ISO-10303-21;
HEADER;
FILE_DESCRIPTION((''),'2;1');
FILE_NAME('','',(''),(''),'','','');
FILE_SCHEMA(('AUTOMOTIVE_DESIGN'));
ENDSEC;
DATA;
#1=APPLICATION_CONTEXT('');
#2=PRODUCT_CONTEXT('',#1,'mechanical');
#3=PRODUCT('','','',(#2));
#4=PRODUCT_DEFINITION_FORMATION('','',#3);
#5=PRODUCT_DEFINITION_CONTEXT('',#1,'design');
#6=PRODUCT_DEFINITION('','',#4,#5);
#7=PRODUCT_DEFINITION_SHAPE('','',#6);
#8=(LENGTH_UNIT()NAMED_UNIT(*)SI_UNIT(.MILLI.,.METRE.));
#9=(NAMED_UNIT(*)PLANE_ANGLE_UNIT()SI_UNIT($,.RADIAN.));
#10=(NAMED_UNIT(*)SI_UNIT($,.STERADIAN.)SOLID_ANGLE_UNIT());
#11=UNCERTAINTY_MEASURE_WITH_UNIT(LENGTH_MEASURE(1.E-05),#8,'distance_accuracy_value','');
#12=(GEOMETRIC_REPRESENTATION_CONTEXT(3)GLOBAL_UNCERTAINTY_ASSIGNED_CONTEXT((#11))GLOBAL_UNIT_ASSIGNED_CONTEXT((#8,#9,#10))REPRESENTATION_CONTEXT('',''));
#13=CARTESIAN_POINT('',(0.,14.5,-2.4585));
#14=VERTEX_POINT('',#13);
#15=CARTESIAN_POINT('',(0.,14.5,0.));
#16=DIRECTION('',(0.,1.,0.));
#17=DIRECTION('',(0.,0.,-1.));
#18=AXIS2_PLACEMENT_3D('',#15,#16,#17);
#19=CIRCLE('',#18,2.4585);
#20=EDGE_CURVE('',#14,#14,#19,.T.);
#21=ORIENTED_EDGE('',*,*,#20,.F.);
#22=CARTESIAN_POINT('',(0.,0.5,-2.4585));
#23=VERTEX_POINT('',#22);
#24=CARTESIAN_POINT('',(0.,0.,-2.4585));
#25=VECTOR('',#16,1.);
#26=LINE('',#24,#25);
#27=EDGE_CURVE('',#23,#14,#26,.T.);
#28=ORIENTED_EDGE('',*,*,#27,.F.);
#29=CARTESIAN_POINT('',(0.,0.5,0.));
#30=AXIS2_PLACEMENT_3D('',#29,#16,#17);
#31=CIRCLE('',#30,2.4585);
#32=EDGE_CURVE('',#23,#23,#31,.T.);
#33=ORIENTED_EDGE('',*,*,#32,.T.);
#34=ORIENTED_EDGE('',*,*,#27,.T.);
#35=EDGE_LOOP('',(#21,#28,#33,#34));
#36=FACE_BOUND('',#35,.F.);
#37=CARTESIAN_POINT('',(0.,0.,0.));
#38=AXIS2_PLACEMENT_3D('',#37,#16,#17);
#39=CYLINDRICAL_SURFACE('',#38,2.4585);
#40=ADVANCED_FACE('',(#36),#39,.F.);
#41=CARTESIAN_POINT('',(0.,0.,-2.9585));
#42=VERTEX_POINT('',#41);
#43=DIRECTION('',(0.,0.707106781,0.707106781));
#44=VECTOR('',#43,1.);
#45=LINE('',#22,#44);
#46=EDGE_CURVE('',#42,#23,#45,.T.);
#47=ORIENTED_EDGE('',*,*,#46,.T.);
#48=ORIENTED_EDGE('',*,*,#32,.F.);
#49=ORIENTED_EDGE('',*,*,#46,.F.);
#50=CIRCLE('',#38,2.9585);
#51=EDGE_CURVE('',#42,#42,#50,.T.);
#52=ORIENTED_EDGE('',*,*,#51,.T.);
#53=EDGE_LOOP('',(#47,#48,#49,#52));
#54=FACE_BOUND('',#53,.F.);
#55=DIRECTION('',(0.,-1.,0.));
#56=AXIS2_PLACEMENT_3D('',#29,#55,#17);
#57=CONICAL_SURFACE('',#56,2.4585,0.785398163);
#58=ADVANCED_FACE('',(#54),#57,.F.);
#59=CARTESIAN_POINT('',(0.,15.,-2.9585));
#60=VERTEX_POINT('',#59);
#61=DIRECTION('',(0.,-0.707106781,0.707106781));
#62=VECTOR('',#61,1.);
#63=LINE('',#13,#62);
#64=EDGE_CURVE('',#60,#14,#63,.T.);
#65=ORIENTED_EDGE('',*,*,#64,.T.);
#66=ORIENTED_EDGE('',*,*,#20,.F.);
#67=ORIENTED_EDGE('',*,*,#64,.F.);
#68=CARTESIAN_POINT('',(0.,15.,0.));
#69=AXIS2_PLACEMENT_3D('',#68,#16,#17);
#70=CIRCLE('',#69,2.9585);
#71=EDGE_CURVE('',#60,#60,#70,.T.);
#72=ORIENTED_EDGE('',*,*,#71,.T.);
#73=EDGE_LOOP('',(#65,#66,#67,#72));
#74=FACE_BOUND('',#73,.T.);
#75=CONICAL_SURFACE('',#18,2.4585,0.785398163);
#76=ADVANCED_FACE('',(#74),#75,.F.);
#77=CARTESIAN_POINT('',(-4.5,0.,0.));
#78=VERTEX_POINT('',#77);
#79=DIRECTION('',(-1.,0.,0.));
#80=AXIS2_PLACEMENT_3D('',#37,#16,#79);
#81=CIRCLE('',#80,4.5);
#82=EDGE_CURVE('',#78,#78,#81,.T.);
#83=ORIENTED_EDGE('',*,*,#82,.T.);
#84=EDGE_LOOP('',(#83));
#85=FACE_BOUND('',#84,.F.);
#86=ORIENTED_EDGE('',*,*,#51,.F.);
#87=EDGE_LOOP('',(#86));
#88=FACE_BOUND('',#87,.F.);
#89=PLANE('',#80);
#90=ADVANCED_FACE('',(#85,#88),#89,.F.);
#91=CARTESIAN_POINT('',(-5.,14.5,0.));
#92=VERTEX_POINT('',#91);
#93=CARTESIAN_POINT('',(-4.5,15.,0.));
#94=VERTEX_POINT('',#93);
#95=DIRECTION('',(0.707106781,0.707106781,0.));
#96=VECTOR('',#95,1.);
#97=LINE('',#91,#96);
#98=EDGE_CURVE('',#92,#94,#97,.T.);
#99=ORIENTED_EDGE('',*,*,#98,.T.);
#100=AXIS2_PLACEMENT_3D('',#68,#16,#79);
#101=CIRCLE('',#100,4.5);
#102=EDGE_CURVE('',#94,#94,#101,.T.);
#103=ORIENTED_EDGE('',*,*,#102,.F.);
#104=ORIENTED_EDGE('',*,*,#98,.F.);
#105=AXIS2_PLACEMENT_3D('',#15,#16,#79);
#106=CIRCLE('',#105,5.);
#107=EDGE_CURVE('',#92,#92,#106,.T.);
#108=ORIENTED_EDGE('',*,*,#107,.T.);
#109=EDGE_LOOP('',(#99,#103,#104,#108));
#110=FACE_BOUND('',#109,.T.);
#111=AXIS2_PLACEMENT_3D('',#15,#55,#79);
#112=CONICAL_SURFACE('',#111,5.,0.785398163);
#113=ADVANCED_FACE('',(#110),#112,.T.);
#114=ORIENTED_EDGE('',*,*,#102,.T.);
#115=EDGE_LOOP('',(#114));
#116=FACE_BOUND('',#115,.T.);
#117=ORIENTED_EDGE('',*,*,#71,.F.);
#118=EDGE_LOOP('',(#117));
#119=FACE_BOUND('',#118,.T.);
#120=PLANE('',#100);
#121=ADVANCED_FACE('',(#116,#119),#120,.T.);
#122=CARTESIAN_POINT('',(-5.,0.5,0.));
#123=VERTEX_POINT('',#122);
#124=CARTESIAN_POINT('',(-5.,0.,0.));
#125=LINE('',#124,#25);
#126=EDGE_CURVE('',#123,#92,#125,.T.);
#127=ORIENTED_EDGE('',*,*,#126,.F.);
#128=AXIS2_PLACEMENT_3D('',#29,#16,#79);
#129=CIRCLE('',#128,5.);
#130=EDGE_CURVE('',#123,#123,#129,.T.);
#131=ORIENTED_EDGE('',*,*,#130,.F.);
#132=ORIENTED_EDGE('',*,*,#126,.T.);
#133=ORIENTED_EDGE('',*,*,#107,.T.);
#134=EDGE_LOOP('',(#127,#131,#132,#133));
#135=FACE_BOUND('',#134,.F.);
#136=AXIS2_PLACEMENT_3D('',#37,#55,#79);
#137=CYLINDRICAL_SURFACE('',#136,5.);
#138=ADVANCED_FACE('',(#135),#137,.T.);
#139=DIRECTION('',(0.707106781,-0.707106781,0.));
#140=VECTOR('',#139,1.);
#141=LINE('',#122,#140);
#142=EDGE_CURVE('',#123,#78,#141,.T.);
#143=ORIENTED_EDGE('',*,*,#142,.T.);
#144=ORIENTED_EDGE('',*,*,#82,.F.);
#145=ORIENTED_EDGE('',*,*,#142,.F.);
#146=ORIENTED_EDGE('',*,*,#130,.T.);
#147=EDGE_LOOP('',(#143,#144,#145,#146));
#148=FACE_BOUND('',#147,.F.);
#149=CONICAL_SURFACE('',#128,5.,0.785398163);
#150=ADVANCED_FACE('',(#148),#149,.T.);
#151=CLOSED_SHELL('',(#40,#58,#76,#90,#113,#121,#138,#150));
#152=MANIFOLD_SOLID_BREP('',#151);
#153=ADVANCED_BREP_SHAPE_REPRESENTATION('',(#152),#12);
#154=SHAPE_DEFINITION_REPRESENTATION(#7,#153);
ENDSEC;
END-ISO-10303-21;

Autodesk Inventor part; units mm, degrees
ref_plane "YZ Plane" through (0, 0, 0) normal (1, 0, 0) x (0, 1, 0)
ref_plane "XZ Plane" through (0, 0, 0) normal (0, 1, 0) x (-1, 0, 0)
ref_plane "XY Plane" through (0, 0, 0) normal (0, 0, 1) x (1, 0, 0)
sketch "Sketch1" plane through (0, 0, 0) normal (0, 1, 0) x (-1, 0, 0)
  circle A0 centre (0, 0) radius 5
  dimension "d0" = 10
extrude "Extrusion1" add sketch "Sketch1" along normal blind 15
hole "Hole1" at (0, 0, 0) direction (0, 1, 0) diameter 4.917 end through all thread size "M6x1" class "6H" standard "ISO Metric profile"
chamfer "Chamfer1" distance 0.5 angle 45 4 edges at (5, 0, 0) (0, 0, 2.4585) (5, 15, 0) (0, 15, 2.4585)
properties part number "gevindmuffe" material "Steel"
